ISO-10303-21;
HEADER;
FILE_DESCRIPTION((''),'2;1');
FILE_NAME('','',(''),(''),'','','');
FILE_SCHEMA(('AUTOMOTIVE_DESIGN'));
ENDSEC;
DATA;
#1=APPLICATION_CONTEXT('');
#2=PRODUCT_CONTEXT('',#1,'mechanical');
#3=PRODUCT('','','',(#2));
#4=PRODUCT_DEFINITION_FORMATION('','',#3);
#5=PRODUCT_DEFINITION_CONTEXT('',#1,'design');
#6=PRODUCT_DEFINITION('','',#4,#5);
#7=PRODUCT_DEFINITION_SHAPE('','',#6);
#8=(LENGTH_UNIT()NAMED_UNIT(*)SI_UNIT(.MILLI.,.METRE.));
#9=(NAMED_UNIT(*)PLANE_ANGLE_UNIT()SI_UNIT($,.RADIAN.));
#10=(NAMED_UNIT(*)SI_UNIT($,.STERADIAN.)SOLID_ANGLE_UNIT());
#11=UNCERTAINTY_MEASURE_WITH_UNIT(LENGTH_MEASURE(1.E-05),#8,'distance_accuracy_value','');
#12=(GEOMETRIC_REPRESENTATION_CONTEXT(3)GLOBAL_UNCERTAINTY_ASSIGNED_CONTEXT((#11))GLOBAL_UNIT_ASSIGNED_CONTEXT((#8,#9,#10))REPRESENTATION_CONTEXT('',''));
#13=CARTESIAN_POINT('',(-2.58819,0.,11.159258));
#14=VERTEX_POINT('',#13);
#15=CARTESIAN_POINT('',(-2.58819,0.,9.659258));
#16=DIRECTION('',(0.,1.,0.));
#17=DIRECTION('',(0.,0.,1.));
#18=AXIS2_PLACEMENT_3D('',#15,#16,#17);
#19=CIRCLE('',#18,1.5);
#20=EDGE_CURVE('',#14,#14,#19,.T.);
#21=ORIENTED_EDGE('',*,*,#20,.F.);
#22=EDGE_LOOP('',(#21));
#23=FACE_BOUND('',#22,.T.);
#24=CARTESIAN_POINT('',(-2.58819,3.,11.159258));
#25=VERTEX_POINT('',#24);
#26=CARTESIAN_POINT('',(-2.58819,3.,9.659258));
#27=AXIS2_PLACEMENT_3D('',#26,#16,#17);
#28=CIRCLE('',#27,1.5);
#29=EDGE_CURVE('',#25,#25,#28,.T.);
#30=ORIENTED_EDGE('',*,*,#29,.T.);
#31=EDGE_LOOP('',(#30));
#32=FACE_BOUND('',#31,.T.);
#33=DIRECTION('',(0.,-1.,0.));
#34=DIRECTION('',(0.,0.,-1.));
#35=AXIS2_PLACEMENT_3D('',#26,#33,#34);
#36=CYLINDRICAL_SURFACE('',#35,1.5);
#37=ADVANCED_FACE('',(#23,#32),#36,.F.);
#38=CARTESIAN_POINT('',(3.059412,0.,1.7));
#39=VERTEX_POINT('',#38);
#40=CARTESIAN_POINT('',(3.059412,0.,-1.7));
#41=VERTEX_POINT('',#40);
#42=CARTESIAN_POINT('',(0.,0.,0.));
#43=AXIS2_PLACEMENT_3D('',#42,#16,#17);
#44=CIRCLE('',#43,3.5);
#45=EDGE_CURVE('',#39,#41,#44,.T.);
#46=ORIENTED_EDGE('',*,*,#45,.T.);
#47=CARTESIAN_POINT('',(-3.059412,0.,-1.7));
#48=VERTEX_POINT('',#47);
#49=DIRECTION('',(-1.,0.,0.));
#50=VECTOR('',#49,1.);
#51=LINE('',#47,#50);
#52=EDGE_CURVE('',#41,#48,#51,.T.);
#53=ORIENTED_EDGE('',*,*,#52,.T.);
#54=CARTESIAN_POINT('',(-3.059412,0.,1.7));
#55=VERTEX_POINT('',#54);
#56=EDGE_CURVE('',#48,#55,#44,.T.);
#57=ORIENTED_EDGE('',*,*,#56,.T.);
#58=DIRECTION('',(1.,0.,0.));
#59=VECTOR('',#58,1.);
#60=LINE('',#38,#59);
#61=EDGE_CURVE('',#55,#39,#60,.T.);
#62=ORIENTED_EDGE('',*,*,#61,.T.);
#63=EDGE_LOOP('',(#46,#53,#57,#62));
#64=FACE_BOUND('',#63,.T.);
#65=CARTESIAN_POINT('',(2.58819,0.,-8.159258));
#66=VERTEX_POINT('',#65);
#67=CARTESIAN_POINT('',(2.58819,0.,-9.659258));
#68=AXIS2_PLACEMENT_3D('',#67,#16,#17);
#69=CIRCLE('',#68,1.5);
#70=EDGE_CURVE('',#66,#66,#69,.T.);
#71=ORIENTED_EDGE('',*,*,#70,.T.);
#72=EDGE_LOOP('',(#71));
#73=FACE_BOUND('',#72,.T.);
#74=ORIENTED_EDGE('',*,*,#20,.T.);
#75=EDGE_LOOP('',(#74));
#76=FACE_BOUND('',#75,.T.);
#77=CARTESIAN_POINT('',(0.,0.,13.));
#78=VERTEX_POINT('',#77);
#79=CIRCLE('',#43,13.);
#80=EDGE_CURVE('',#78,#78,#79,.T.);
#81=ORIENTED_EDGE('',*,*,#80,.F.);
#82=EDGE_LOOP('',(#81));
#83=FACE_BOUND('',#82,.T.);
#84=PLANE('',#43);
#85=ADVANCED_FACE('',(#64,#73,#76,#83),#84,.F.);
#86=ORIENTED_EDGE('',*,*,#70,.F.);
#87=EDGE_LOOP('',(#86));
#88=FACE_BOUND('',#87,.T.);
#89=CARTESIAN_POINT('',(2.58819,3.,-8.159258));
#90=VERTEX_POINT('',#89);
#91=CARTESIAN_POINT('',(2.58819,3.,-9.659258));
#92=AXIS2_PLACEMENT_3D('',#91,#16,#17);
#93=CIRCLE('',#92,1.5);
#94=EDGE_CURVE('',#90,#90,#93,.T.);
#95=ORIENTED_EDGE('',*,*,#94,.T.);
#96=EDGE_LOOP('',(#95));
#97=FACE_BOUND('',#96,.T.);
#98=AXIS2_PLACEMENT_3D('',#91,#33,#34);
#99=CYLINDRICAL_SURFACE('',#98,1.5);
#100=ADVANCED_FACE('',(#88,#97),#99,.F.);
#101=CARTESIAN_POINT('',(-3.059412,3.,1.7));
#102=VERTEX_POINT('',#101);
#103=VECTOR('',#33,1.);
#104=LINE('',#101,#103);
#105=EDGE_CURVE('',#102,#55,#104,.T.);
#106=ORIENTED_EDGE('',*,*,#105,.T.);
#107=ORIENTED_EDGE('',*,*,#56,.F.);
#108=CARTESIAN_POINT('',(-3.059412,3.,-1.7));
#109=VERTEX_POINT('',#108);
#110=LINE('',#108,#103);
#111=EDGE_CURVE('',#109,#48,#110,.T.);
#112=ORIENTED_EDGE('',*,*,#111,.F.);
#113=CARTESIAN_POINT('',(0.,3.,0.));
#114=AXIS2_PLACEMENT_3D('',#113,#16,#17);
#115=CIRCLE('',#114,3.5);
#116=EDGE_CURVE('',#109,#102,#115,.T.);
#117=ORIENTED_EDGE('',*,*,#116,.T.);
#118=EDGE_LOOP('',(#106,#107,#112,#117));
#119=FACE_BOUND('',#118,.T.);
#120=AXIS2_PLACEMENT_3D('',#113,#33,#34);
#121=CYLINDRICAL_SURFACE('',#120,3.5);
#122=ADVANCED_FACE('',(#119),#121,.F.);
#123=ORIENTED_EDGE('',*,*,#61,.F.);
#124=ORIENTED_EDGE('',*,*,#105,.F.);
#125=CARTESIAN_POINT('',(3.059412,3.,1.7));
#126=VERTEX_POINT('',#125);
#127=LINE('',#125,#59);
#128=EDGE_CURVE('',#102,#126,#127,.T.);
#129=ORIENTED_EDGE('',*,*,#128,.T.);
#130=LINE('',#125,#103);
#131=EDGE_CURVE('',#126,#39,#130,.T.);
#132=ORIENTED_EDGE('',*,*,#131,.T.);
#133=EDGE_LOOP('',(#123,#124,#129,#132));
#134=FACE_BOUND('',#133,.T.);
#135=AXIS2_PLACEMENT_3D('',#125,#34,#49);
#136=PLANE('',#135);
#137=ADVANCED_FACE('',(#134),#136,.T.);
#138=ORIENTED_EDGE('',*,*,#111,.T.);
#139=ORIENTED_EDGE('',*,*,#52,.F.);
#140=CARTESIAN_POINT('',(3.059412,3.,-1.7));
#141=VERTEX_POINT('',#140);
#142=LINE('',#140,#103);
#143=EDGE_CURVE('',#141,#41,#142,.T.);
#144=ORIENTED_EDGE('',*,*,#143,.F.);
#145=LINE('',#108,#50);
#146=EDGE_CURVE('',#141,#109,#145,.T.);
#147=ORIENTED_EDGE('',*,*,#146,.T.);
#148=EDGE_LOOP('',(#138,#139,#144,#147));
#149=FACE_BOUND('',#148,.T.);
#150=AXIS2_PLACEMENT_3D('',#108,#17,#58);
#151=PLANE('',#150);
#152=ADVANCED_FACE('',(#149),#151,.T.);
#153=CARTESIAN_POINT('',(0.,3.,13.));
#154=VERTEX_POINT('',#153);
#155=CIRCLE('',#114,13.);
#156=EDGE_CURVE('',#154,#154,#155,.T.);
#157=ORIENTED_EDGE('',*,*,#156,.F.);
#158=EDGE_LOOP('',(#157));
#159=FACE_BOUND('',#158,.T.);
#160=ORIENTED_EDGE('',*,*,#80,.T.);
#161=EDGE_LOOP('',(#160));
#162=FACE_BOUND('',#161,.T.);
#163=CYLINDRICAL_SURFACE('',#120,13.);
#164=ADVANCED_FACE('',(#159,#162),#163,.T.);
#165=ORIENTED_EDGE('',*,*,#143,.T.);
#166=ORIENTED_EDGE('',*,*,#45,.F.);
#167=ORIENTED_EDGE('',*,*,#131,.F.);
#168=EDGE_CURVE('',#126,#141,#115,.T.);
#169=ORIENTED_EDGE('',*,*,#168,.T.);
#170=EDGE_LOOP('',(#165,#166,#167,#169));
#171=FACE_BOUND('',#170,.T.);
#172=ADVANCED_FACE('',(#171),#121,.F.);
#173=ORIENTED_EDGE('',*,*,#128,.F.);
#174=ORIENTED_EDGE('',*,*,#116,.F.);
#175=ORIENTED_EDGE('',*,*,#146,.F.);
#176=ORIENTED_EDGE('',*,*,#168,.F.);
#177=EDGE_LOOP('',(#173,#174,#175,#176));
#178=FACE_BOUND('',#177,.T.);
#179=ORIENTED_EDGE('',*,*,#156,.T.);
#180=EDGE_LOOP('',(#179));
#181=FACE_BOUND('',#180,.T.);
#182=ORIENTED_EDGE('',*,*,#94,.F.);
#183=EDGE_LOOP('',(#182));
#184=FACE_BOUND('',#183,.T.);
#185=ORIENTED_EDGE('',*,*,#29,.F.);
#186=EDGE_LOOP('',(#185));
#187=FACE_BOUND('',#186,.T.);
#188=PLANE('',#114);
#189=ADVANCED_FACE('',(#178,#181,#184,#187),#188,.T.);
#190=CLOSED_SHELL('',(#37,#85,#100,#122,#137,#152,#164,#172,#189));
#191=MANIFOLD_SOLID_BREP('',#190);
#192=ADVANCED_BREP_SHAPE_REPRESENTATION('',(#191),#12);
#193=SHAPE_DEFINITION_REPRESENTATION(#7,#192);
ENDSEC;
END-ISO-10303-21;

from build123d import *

# Parameters (mm, degrees)
SKETCH1_R           = 13
SKETCH1_R_2         = 1.5
BOSS_EXTRUDE1_DEPTH = 3


with BuildPart() as part:
    # Sketch1 → Boss-Extrude1 (new body)
    with BuildSketch(Plane(origin=(0, 0, 0), x_dir=(1, 0, 0), z_dir=(0, 1, 0))):
        Circle(SKETCH1_R)
        with Locations((-2.588190451, -9.659258263)):
            Circle(SKETCH1_R_2, mode=Mode.SUBTRACT)
        with Locations((2.588190451, 9.659258263)):
            Circle(SKETCH1_R_2, mode=Mode.SUBTRACT)
        with BuildLine():
            Line((-3.059411708, 1.7), (3.059411708, 1.7))
            ThreePointArc((3.059411708, 1.7), (3.5, 0), (3.059411708, -1.7))
            Line((3.059411708, -1.7), (-3.059411708, -1.7))
            ThreePointArc((-3.059411708, -1.7), (-3.5, 0), (-3.059411708, 1.7))
        make_face(mode=Mode.SUBTRACT)
    extrude(amount=BOSS_EXTRUDE1_DEPTH)


solid = part.part
